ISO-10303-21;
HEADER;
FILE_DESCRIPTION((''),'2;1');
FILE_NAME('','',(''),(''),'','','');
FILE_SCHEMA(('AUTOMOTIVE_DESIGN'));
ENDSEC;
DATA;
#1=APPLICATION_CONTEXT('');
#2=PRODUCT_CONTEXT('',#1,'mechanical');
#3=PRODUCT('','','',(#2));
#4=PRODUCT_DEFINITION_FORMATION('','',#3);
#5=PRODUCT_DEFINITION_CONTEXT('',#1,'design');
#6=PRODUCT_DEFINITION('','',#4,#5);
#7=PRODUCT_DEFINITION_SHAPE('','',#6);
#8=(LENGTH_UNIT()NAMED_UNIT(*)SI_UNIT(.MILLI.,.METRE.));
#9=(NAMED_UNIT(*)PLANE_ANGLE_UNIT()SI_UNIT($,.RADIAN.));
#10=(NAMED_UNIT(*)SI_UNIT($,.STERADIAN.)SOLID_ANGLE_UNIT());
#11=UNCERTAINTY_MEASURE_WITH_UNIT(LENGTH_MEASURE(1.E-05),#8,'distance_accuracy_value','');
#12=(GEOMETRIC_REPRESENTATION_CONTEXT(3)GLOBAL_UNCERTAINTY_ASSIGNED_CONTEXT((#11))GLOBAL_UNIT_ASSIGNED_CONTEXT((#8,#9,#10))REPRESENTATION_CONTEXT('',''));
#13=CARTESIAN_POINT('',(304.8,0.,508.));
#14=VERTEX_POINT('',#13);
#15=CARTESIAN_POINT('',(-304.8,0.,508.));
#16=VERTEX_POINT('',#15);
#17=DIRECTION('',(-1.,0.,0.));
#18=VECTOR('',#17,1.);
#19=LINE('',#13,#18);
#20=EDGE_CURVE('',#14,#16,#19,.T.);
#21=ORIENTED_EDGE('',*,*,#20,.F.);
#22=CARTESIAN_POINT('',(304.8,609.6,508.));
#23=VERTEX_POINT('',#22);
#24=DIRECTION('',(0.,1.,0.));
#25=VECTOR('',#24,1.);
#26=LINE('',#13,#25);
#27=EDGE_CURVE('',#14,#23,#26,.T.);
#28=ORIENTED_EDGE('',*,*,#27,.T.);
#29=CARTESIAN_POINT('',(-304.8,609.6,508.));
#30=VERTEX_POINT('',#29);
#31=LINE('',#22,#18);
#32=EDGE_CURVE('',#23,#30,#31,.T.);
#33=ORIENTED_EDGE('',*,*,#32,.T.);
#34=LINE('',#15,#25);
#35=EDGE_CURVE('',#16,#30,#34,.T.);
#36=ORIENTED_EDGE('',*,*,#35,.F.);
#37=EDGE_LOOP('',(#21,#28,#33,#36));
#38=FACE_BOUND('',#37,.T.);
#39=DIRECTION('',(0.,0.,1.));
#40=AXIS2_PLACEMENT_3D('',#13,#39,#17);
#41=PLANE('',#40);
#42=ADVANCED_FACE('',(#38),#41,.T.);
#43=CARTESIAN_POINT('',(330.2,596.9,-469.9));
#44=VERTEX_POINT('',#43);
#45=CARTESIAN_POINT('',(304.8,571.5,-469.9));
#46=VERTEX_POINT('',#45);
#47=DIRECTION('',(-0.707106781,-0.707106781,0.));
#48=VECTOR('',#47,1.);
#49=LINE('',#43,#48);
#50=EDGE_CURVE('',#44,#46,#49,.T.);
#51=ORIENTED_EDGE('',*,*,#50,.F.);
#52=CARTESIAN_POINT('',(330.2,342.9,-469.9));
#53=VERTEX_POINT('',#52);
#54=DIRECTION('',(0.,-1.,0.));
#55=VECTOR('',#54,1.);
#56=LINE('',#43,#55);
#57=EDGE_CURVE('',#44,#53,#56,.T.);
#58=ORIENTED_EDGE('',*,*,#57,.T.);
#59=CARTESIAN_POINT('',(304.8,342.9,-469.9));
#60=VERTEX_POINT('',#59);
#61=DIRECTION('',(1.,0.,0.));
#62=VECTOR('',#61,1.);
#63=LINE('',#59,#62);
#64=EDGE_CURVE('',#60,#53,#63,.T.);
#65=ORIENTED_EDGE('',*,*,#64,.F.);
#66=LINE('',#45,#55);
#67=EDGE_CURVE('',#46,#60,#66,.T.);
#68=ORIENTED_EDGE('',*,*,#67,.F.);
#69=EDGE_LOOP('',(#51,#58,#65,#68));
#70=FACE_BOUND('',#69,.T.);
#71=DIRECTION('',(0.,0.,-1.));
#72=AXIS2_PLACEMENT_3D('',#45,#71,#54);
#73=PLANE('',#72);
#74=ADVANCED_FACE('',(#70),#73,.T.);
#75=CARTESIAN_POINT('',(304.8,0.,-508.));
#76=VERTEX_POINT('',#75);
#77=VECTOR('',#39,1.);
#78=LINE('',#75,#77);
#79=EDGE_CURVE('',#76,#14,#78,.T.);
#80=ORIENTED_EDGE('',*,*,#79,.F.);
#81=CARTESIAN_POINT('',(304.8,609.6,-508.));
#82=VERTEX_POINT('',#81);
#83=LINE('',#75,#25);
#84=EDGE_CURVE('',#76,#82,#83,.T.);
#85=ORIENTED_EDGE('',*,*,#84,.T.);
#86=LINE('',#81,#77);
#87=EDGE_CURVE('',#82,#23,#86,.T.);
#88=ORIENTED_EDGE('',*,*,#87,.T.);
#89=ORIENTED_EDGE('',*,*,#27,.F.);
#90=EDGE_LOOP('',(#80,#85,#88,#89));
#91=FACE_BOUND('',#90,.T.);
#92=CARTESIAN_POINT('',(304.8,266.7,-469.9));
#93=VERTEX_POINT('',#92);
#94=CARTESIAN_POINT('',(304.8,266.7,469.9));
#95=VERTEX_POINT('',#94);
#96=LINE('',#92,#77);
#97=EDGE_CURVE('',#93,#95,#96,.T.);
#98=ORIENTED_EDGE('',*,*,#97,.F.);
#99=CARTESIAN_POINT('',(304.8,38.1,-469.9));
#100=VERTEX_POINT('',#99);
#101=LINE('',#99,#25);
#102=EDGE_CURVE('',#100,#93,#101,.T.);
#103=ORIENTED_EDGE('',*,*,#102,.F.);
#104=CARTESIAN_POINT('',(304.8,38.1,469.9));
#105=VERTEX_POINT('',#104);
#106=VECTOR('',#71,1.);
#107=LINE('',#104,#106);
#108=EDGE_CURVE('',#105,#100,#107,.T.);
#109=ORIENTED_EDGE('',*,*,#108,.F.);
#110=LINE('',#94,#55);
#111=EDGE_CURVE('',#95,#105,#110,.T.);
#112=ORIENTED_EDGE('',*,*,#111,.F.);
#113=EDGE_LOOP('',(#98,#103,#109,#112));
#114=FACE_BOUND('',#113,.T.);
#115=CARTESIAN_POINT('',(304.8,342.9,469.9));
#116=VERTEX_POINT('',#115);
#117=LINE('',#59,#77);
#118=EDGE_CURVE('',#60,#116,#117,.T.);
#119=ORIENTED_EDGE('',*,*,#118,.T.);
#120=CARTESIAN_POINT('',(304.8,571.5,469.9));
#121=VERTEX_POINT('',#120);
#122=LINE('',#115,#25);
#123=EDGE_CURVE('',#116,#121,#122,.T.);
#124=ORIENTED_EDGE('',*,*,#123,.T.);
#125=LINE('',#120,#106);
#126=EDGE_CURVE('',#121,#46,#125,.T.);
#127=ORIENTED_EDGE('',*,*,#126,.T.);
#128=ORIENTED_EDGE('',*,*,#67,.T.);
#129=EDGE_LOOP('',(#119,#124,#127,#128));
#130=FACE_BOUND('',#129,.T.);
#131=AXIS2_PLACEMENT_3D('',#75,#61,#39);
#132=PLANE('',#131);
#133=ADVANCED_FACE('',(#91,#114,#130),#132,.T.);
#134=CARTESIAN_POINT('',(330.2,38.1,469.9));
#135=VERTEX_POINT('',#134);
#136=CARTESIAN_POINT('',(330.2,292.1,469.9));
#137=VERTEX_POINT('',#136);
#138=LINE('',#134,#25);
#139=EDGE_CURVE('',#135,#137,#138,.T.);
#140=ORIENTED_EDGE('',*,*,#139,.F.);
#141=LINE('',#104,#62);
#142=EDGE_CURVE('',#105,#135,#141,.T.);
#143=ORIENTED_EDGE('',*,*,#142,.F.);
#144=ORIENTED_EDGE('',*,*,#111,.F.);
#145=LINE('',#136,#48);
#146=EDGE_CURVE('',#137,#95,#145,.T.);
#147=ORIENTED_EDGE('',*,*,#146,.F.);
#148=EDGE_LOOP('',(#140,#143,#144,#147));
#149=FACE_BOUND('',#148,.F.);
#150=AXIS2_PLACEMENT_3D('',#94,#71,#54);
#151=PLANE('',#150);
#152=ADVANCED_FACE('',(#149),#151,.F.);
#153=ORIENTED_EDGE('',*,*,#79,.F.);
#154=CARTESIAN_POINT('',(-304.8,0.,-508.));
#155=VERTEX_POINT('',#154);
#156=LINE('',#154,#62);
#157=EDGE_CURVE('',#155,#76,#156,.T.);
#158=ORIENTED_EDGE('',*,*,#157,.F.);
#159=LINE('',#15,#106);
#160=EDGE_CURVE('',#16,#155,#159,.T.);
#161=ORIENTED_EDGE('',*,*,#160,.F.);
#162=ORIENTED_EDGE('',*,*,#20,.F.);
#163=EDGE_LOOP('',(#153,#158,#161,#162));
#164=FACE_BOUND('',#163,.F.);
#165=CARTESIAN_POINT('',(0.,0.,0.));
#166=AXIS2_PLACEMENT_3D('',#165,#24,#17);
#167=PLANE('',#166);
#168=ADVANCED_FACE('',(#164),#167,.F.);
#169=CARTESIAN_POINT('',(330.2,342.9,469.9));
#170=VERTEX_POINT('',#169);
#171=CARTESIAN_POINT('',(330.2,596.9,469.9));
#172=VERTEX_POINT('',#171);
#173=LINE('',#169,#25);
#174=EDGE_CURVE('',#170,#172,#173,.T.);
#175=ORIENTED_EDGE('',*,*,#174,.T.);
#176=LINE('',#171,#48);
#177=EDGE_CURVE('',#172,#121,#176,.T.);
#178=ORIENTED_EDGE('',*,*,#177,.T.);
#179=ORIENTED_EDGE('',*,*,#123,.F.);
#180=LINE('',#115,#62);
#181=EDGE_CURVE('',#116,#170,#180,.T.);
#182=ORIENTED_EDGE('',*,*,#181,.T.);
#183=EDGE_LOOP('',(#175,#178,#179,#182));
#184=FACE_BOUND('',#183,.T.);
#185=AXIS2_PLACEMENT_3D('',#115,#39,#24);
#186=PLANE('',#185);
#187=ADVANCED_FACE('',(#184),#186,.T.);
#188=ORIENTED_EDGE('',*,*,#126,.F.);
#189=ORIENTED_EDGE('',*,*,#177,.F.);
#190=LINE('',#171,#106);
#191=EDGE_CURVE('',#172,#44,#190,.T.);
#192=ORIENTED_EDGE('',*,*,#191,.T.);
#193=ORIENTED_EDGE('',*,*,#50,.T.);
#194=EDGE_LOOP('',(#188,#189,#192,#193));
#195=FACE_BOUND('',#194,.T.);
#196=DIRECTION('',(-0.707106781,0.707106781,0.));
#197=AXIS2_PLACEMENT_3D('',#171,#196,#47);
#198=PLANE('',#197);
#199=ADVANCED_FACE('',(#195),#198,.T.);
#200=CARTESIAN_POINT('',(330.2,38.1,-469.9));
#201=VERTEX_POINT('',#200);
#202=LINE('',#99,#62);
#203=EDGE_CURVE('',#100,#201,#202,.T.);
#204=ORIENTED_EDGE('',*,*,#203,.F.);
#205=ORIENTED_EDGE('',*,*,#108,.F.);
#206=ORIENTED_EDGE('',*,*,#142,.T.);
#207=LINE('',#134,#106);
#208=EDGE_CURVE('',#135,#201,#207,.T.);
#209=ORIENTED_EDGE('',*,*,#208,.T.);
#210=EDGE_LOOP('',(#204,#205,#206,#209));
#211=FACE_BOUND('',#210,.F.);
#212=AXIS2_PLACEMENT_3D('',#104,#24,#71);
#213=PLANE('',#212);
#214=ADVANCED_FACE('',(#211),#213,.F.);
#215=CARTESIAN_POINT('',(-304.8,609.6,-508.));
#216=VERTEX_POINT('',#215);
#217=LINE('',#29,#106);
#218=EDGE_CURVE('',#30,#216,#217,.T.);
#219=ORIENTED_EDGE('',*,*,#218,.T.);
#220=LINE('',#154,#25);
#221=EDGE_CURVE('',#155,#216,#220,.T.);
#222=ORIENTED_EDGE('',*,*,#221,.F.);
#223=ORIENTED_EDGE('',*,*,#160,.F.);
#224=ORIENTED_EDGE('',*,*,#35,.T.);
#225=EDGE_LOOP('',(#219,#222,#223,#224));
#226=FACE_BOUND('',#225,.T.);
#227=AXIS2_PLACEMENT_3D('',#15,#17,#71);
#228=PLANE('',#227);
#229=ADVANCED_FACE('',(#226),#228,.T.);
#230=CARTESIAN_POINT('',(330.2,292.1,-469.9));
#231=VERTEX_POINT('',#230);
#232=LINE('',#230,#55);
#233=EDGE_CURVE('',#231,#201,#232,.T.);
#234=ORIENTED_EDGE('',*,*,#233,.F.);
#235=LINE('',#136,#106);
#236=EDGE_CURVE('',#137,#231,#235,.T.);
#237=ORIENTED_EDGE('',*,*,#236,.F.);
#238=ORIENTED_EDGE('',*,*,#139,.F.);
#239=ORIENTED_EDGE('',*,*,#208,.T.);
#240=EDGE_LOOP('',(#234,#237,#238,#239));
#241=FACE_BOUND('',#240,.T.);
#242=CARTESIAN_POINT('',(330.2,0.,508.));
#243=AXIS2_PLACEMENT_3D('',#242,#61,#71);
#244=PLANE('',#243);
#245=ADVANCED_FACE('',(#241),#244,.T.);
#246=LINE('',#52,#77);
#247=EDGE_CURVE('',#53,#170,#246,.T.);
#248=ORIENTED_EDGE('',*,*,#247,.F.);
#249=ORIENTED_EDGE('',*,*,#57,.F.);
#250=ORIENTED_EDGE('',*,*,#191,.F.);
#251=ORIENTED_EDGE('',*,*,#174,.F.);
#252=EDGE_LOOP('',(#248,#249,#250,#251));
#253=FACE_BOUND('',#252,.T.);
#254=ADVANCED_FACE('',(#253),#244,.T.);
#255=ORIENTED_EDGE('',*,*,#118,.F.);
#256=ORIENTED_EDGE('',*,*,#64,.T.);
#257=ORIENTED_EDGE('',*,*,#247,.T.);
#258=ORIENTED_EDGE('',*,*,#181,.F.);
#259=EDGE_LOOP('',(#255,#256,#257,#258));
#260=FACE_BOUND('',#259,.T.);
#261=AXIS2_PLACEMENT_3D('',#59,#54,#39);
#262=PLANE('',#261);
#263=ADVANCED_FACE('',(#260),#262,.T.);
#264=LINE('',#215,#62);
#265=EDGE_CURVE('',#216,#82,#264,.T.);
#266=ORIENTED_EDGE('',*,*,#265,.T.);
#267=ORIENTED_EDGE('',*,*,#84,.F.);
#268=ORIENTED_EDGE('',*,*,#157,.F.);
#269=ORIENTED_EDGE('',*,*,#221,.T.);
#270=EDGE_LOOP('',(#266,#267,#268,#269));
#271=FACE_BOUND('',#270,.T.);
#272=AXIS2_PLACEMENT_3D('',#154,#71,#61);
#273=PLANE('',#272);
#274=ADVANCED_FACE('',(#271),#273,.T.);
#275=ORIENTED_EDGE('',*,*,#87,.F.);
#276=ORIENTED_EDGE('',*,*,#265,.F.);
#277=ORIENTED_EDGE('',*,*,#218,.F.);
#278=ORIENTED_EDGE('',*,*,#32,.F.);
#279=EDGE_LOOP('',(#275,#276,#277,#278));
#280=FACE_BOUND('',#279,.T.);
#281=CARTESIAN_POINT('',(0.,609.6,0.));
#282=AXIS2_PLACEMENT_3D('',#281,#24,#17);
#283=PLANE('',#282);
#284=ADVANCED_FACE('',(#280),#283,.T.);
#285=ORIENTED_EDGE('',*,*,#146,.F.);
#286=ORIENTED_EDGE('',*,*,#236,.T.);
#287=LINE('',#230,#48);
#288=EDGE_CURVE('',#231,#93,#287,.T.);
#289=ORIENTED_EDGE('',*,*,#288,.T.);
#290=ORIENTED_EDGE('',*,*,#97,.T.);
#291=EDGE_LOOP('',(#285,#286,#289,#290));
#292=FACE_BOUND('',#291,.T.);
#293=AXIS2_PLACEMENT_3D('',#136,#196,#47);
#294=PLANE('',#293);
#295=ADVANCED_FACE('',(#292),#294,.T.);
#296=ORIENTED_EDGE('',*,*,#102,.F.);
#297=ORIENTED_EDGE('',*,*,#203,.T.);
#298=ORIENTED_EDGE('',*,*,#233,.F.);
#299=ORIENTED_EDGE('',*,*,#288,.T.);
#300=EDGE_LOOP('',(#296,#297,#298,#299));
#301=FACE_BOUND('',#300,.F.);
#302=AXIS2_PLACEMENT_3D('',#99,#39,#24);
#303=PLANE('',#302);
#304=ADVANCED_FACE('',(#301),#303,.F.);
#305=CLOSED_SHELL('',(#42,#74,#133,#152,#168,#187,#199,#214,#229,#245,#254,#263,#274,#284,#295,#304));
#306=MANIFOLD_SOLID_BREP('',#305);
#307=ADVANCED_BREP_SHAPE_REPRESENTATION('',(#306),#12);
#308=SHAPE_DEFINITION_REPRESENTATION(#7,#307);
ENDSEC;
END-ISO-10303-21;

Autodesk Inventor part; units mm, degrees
ref_plane "YZ Plane" through (0, 0, 0) normal (1, 0, 0) x (0, 1, 0)
ref_plane "XZ Plane" through (0, 0, 0) normal (0, 1, 0) x (-1, 0, 0)
ref_plane "XY Plane" through (0, 0, 0) normal (0, 0, 1) x (1, 0, 0)
sketch "Sketch2" plane through (0, 0, 0) normal (0, 1, 0) x (-1, 0, 0)
  line L0 (-304.8, 508) -> (304.8, 508)
  line L1 (304.8, 508) -> (304.8, -508)
  line L2 (304.8, -508) -> (-304.8, -508)
  line L3 (-304.8, -508) -> (-304.8, 508)
  line L4 (-304.8, 508) -> (304.8, -508) construction
  line L5 (304.8, 508) -> (-304.8, -508) construction
  point P0 (0, 0)
  dimension "d2" = 609.6
  dimension "d3" = 1016
extrude "Extrusion1" add sketch "Sketch2" along normal blind 609.6
sketch "Sketch3" plane through (304.8, 0, 508) normal (1, 0, 0) x (0, 0, -1)
  line L0 (0, 0) -> (1016, 0) projected
  line L1 (1016, 0) -> (1016, 609.6) projected
  line L2 (0, 609.6) -> (1016, 609.6) projected
  line L3 (0, 0) -> (0, 609.6) projected
  line L4 (0, 0) -> (0, 609.6) projected
  line L5 (1016, 0) -> (1016, 609.6) projected
  line L6 (1016, 0) -> (0, 0) projected
  line L7 (0, 304.8) -> (1016, 304.8)
  line L8 (1016, 304.8) -> (1016, 0)
  line L9 (1016, 0) -> (0, 0)
  line L10 (0, 0) -> (0, 304.8)
  line L11 (0, 304.8) -> (1016, 304.8)
  line L12 (1016, 304.8) -> (1016, 609.6)
  line L13 (1016, 609.6) -> (0, 609.6)
  line L14 (0, 609.6) -> (0, 304.8)
  line L15 (977.9, 266.7) -> (38.1, 266.7)
  line L16 (38.1, 266.7) -> (38.1, 38.1)
  line L17 (38.1, 38.1) -> (977.9, 38.1)
  line L18 (977.9, 38.1) -> (977.9, 266.7)
  line L19 (977.9, 342.9) -> (38.1, 342.9)
  line L20 (38.1, 342.9) -> (38.1, 571.5)
  line L21 (38.1, 571.5) -> (977.9, 571.5)
  line L22 (977.9, 571.5) -> (977.9, 342.9)
  point P0 (508, 0)
  dimension "d5" = 38.1
  dimension "d6" = 38.1
extrude "Extrusion2" add sketch "Sketch3" along normal blind 25.4 contours L18 L17 L16 L15 | L19 L20 L21 L22
sketch "Sketch4" plane through (304.8, 38.1, 469.9) normal (0, 0, 1) x (1, 0, 0)
  line L0 (0, 304.8) -> (0, 533.4) projected
  line L1 (0, 304.8) -> (25.4, 304.8) projected
  line L2 (25.4, 533.4) -> (25.4, 304.8) projected
  line L3 (0, 533.4) -> (25.4, 533.4) projected
  line L4 (0, 0) -> (0, 228.6) projected
  line L5 (0, 0) -> (25.4, 0) projected
  line L6 (25.4, 228.6) -> (25.4, 0) projected
  line L7 (0, 228.6) -> (25.4, 228.6) projected
  line L8 (25.4, 228.6) -> (25.4, 0) projected
  line L9 (25.4, 228.6) -> (25.4, 254)
  line L10 (0, 228.6) -> (25.4, 228.6) projected
  line L11 (25.4, 254) -> (0, 228.6)
  line L12 (25.4, 533.4) -> (25.4, 304.8) projected
  line L13 (25.4, 533.4) -> (25.4, 558.8)
  line L14 (0, 533.4) -> (25.4, 533.4) projected
  line L15 (25.4, 558.8) -> (0, 533.4)
  point P0 (-304.8, -38.1)
  dimension "d9" = 25.4
  dimension "d10" = 25.4
extrude "Extrusion3" add sketch "Sketch4" against normal up to surface (939.8 mm away) contours L15 L13 L3 | L11 L9 L7
properties part number "drawer"
